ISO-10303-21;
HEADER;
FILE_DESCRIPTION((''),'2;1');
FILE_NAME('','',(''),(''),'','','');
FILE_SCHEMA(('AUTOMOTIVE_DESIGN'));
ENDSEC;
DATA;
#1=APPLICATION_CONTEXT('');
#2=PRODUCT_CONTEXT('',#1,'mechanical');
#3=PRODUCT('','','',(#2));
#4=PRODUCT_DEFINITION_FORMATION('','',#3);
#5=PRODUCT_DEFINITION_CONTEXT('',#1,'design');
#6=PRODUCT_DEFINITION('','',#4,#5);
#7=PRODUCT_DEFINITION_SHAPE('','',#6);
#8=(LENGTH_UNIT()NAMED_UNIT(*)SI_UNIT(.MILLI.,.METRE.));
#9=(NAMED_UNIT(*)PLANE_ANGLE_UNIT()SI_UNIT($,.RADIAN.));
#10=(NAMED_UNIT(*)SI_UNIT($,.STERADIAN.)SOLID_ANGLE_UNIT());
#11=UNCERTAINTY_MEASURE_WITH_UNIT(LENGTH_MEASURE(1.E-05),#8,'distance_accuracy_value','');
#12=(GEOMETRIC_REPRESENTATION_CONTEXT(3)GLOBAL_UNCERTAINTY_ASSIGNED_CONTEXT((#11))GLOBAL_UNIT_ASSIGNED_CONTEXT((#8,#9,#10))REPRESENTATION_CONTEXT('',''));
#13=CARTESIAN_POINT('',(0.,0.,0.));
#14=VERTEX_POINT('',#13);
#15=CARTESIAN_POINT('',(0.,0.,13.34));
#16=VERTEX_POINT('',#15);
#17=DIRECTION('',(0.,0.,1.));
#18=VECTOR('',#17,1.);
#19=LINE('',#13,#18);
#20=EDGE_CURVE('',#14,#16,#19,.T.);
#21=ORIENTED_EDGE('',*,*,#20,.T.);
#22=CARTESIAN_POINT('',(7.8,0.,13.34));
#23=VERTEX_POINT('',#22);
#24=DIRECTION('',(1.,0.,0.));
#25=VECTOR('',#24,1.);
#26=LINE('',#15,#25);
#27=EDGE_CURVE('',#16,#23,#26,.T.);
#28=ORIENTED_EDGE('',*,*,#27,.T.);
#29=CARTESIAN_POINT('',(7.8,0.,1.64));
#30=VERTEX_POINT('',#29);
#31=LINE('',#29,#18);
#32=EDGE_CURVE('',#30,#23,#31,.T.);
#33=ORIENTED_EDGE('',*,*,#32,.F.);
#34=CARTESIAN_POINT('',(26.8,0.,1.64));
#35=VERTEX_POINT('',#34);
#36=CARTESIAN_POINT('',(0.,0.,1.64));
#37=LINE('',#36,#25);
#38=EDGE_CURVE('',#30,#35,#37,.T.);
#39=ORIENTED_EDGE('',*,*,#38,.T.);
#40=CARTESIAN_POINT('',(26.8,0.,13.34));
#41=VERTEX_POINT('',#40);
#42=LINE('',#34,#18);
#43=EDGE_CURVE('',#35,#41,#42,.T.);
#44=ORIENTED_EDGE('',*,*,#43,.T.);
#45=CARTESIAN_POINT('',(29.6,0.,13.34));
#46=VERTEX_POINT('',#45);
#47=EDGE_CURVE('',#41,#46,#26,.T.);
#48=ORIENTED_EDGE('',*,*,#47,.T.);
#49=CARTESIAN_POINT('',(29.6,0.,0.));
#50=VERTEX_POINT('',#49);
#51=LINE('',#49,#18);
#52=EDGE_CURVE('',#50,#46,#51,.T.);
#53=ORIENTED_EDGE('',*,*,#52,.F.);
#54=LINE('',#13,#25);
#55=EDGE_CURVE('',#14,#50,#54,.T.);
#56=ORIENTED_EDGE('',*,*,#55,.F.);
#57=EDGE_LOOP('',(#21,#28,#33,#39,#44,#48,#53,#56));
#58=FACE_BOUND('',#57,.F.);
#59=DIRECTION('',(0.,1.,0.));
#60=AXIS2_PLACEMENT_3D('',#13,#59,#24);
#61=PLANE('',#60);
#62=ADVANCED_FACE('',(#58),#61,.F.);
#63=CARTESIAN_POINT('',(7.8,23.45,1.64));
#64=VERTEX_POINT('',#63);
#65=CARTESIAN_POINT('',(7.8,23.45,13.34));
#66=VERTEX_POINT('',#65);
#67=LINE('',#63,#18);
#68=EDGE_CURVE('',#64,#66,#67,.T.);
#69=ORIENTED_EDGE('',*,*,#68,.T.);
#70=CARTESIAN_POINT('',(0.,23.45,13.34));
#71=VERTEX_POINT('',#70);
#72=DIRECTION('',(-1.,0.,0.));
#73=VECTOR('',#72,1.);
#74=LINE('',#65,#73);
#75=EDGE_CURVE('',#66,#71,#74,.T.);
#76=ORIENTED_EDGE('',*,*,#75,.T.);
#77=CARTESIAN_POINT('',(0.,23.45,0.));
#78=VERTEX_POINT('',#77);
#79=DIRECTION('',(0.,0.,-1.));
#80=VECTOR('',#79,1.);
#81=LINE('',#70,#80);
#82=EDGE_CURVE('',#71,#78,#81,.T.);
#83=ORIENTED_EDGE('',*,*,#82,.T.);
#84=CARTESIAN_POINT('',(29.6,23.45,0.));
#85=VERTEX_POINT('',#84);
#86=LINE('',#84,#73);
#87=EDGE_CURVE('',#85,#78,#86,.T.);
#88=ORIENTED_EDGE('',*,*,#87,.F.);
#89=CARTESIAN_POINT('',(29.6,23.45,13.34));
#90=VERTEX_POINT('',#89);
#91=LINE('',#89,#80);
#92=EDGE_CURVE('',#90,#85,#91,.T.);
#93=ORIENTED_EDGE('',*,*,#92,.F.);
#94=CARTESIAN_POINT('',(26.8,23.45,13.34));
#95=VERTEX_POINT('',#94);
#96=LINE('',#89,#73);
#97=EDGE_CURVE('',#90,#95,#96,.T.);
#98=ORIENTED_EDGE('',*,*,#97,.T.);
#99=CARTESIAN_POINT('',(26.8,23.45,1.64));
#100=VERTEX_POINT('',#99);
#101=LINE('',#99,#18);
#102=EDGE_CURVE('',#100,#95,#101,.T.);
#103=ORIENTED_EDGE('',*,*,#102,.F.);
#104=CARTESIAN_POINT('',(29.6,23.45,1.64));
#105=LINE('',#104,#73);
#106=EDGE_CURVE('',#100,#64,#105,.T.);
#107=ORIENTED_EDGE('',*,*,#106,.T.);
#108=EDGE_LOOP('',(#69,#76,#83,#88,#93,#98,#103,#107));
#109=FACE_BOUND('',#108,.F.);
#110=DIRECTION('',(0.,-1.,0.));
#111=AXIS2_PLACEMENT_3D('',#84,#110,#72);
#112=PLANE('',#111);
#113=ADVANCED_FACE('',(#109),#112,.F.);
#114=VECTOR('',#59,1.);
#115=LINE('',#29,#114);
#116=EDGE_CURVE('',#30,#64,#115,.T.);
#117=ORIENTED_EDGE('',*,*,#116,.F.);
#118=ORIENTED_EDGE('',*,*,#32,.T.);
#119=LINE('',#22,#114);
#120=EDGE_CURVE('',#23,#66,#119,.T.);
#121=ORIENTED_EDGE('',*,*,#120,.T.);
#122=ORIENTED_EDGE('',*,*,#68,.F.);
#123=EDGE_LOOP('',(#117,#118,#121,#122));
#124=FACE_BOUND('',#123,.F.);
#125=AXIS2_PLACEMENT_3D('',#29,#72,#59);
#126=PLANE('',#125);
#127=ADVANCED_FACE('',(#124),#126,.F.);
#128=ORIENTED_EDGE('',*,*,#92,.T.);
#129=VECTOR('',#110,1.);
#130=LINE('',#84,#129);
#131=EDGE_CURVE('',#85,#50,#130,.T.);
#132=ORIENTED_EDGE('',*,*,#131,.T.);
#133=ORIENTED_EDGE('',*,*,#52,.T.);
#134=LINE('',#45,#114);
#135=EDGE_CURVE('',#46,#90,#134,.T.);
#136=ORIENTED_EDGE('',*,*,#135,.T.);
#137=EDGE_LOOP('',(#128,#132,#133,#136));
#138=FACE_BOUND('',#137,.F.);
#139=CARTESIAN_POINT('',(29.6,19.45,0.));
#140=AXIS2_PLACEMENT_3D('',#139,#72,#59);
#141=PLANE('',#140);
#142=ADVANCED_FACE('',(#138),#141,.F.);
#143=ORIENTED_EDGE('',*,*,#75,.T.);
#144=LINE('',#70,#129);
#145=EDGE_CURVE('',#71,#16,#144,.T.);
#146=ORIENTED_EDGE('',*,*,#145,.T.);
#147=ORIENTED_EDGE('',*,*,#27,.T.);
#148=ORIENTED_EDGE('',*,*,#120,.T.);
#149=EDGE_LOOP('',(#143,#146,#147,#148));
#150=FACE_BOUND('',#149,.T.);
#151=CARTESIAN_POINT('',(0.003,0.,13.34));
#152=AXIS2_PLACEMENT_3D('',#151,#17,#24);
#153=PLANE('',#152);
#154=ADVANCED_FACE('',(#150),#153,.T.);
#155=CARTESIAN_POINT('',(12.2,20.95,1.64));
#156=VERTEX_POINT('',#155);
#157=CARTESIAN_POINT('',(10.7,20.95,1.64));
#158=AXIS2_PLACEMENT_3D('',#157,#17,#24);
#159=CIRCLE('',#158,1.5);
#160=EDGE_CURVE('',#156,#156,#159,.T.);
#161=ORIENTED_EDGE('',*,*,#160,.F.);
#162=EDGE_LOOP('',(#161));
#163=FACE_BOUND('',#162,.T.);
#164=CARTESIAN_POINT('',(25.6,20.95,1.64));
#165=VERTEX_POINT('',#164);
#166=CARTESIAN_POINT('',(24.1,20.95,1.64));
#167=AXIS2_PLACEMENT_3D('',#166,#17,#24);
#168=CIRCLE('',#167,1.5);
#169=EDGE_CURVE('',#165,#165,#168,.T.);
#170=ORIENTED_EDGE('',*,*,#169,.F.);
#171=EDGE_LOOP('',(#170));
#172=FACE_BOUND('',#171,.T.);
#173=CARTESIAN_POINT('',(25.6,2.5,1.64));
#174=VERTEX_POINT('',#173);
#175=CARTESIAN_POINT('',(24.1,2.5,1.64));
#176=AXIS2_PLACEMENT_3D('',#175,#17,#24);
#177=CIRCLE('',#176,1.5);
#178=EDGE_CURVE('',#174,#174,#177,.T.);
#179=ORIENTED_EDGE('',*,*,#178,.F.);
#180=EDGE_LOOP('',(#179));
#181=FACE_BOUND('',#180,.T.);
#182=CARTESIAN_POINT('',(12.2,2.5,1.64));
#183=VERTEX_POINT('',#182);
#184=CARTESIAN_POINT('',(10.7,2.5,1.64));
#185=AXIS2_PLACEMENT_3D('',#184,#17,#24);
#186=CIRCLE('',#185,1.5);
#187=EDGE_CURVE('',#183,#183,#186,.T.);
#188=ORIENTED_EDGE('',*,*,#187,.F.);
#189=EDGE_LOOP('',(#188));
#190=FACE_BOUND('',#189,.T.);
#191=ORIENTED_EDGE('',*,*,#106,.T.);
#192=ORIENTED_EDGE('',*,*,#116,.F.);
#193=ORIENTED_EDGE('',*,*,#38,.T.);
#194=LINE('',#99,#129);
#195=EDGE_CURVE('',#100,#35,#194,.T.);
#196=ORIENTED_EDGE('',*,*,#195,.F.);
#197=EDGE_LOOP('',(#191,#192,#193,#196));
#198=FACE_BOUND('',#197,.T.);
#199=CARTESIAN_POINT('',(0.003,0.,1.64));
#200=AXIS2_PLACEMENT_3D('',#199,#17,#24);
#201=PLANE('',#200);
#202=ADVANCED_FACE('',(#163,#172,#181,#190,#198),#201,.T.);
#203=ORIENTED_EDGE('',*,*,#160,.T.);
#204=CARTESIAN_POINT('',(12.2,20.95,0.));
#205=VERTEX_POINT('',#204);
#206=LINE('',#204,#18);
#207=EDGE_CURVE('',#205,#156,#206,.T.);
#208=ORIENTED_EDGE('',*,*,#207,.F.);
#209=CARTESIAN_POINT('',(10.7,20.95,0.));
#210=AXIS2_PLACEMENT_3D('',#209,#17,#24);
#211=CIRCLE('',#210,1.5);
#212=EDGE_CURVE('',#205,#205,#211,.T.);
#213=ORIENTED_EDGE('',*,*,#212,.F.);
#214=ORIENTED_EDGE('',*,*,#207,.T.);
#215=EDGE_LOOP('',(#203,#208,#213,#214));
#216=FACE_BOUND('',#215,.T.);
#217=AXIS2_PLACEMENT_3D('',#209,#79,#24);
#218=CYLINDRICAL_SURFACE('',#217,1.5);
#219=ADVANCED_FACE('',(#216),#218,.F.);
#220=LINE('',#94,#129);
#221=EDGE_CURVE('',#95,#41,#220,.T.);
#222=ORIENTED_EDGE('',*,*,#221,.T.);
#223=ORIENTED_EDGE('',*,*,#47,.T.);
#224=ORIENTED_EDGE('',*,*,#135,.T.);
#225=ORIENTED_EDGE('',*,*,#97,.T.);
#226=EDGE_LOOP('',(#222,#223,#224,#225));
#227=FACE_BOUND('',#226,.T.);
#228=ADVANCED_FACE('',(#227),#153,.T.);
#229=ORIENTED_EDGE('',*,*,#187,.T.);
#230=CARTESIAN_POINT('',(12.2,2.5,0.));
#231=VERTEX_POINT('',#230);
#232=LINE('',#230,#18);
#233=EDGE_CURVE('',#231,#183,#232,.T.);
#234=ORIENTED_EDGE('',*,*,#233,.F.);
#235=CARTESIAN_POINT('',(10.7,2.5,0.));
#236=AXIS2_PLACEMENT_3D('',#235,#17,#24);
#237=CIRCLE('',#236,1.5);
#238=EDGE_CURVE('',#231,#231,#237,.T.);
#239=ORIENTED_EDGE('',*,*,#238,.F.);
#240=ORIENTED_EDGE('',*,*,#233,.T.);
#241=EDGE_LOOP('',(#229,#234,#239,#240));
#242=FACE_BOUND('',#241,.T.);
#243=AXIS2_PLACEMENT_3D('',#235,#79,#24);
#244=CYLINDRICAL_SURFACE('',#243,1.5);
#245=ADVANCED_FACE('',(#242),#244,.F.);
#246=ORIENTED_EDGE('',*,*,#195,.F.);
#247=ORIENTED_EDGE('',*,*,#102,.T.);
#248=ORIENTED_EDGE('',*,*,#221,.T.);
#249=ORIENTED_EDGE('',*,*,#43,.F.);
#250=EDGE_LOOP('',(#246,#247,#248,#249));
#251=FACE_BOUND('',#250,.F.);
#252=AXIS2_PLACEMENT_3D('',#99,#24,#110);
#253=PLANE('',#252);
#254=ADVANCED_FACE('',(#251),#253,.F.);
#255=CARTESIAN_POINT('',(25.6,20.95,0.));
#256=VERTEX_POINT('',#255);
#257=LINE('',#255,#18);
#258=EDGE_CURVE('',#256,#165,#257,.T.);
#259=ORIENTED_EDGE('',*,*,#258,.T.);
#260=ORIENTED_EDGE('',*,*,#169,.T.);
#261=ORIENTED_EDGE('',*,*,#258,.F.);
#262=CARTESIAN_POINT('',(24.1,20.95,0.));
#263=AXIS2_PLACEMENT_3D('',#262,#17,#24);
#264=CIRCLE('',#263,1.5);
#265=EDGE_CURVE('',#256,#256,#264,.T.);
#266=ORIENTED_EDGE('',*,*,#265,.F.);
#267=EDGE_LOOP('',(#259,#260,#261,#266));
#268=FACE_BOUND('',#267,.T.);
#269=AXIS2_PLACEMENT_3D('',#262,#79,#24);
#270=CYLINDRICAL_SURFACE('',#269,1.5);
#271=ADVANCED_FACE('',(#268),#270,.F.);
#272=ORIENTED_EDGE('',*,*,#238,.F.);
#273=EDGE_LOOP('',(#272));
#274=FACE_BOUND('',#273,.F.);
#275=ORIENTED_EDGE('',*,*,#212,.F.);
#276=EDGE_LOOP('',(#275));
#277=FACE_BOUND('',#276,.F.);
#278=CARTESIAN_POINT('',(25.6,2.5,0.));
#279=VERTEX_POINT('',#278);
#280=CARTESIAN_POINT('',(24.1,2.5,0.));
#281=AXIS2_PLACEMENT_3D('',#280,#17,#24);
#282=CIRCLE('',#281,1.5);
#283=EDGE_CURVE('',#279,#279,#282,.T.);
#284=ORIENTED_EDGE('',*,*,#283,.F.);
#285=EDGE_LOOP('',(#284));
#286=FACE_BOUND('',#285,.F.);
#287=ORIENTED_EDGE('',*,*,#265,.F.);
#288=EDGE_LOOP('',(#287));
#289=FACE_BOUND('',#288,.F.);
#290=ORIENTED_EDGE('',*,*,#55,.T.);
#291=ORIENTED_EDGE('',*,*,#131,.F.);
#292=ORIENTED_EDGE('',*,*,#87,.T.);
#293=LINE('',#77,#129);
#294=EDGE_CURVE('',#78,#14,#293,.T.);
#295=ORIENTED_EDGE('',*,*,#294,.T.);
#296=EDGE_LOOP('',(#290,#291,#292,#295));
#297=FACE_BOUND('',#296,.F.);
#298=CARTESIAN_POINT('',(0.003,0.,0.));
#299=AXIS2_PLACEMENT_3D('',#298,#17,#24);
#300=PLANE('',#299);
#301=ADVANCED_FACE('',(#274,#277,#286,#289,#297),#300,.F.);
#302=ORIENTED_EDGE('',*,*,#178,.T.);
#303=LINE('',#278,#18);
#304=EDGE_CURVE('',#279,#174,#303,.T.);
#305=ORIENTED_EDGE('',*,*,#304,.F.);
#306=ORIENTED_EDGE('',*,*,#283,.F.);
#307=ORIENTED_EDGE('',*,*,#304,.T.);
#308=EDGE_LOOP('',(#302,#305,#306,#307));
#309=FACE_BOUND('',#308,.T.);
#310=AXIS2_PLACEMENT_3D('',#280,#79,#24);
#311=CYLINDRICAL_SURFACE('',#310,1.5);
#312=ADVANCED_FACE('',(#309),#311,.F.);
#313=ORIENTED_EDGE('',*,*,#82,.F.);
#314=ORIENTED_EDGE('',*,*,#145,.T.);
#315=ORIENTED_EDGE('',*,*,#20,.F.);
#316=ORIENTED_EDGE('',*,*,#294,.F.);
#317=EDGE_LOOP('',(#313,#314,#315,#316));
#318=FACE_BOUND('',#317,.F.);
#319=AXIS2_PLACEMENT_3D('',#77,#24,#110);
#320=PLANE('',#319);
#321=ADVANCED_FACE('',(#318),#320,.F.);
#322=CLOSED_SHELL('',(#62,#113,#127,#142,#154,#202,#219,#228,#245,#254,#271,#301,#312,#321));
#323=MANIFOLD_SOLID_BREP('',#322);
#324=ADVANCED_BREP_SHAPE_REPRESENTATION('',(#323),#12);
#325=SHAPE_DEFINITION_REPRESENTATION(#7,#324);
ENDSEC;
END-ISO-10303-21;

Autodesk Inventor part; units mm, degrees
ref_plane "YZ Plane" through (0, 0, 0) normal (1, 0, 0) x (0, 1, 0)
ref_plane "Plano de trabajo2" through (0.003, 0, 0) normal (0, 0, 1) x (1, 0.0001, 0)
sketch "Boceto1" plane through (0.003, 0, 0) normal (0, 0, 1) x (1, 0.0001, 0)
  line L0 (-0.003, 0) -> (29.597, 0)
  line L1 (29.597, 0) -> (29.597, 23.45)
  line L2 (29.597, 23.45) -> (-0.003, 23.45)
  line L3 (-0.003, 23.45) -> (-0.003, 0)
  line L4 (29.597, 0) -> (29.597, 4)
  line L5 (29.597, 23.45) -> (29.597, 19.45)
  circle A0 centre (24.097, 20.95) radius 1.5
  circle A1 centre (24.097, 2.5) radius 1.5
  circle A2 centre (10.697, 20.95) radius 1.5
  circle A3 centre (10.697, 2.5) radius 1.5
  dimension "d0" = 29.6
  dimension "d1" = 23.45
  dimension "d5" = 3
  dimension "d6" = 3
  dimension "d16" = 3
  dimension "d17" = 3
extrude "Extrusión1" add sketch "Boceto1" along normal blind 1.64
ref_plane "Plano de trabajo4" through (0.003, 0, 1.64) normal (0, 0, 1) x (1, 0.0001, 0)
sketch "Boceto2" plane through (0.003, 0, 1.64) normal (0, 0, 1) x (1, 0.0001, 0)
  line L0 (29.597, 0) -> (29.597, 23.45) projected
  line L1 (-0.003, 0) -> (29.597, 0) projected
  line L2 (29.597, 23.45) -> (26.797, 23.45)
  line L3 (26.797, 23.45) -> (26.797, 0)
  line L4 (26.797, 0) -> (29.597, 0)
  line L5 (29.597, 0) -> (29.597, 23.45)
  line L6 (-0.003, 0) -> (7.797, 0)
  line L7 (7.797, 0) -> (7.797, 23.45)
  line L8 (7.797, 23.45) -> (-0.003, 23.45)
  line L9 (-0.003, 23.45) -> (-0.003, 0)
  point P0 (7.797, 0)
  dimension "d12" = 2.8
  dimension "d13" = 7.8
extrude "Extrusión2" add sketch "Boceto2" along normal blind 11.7
properties part number "DriverCC"
